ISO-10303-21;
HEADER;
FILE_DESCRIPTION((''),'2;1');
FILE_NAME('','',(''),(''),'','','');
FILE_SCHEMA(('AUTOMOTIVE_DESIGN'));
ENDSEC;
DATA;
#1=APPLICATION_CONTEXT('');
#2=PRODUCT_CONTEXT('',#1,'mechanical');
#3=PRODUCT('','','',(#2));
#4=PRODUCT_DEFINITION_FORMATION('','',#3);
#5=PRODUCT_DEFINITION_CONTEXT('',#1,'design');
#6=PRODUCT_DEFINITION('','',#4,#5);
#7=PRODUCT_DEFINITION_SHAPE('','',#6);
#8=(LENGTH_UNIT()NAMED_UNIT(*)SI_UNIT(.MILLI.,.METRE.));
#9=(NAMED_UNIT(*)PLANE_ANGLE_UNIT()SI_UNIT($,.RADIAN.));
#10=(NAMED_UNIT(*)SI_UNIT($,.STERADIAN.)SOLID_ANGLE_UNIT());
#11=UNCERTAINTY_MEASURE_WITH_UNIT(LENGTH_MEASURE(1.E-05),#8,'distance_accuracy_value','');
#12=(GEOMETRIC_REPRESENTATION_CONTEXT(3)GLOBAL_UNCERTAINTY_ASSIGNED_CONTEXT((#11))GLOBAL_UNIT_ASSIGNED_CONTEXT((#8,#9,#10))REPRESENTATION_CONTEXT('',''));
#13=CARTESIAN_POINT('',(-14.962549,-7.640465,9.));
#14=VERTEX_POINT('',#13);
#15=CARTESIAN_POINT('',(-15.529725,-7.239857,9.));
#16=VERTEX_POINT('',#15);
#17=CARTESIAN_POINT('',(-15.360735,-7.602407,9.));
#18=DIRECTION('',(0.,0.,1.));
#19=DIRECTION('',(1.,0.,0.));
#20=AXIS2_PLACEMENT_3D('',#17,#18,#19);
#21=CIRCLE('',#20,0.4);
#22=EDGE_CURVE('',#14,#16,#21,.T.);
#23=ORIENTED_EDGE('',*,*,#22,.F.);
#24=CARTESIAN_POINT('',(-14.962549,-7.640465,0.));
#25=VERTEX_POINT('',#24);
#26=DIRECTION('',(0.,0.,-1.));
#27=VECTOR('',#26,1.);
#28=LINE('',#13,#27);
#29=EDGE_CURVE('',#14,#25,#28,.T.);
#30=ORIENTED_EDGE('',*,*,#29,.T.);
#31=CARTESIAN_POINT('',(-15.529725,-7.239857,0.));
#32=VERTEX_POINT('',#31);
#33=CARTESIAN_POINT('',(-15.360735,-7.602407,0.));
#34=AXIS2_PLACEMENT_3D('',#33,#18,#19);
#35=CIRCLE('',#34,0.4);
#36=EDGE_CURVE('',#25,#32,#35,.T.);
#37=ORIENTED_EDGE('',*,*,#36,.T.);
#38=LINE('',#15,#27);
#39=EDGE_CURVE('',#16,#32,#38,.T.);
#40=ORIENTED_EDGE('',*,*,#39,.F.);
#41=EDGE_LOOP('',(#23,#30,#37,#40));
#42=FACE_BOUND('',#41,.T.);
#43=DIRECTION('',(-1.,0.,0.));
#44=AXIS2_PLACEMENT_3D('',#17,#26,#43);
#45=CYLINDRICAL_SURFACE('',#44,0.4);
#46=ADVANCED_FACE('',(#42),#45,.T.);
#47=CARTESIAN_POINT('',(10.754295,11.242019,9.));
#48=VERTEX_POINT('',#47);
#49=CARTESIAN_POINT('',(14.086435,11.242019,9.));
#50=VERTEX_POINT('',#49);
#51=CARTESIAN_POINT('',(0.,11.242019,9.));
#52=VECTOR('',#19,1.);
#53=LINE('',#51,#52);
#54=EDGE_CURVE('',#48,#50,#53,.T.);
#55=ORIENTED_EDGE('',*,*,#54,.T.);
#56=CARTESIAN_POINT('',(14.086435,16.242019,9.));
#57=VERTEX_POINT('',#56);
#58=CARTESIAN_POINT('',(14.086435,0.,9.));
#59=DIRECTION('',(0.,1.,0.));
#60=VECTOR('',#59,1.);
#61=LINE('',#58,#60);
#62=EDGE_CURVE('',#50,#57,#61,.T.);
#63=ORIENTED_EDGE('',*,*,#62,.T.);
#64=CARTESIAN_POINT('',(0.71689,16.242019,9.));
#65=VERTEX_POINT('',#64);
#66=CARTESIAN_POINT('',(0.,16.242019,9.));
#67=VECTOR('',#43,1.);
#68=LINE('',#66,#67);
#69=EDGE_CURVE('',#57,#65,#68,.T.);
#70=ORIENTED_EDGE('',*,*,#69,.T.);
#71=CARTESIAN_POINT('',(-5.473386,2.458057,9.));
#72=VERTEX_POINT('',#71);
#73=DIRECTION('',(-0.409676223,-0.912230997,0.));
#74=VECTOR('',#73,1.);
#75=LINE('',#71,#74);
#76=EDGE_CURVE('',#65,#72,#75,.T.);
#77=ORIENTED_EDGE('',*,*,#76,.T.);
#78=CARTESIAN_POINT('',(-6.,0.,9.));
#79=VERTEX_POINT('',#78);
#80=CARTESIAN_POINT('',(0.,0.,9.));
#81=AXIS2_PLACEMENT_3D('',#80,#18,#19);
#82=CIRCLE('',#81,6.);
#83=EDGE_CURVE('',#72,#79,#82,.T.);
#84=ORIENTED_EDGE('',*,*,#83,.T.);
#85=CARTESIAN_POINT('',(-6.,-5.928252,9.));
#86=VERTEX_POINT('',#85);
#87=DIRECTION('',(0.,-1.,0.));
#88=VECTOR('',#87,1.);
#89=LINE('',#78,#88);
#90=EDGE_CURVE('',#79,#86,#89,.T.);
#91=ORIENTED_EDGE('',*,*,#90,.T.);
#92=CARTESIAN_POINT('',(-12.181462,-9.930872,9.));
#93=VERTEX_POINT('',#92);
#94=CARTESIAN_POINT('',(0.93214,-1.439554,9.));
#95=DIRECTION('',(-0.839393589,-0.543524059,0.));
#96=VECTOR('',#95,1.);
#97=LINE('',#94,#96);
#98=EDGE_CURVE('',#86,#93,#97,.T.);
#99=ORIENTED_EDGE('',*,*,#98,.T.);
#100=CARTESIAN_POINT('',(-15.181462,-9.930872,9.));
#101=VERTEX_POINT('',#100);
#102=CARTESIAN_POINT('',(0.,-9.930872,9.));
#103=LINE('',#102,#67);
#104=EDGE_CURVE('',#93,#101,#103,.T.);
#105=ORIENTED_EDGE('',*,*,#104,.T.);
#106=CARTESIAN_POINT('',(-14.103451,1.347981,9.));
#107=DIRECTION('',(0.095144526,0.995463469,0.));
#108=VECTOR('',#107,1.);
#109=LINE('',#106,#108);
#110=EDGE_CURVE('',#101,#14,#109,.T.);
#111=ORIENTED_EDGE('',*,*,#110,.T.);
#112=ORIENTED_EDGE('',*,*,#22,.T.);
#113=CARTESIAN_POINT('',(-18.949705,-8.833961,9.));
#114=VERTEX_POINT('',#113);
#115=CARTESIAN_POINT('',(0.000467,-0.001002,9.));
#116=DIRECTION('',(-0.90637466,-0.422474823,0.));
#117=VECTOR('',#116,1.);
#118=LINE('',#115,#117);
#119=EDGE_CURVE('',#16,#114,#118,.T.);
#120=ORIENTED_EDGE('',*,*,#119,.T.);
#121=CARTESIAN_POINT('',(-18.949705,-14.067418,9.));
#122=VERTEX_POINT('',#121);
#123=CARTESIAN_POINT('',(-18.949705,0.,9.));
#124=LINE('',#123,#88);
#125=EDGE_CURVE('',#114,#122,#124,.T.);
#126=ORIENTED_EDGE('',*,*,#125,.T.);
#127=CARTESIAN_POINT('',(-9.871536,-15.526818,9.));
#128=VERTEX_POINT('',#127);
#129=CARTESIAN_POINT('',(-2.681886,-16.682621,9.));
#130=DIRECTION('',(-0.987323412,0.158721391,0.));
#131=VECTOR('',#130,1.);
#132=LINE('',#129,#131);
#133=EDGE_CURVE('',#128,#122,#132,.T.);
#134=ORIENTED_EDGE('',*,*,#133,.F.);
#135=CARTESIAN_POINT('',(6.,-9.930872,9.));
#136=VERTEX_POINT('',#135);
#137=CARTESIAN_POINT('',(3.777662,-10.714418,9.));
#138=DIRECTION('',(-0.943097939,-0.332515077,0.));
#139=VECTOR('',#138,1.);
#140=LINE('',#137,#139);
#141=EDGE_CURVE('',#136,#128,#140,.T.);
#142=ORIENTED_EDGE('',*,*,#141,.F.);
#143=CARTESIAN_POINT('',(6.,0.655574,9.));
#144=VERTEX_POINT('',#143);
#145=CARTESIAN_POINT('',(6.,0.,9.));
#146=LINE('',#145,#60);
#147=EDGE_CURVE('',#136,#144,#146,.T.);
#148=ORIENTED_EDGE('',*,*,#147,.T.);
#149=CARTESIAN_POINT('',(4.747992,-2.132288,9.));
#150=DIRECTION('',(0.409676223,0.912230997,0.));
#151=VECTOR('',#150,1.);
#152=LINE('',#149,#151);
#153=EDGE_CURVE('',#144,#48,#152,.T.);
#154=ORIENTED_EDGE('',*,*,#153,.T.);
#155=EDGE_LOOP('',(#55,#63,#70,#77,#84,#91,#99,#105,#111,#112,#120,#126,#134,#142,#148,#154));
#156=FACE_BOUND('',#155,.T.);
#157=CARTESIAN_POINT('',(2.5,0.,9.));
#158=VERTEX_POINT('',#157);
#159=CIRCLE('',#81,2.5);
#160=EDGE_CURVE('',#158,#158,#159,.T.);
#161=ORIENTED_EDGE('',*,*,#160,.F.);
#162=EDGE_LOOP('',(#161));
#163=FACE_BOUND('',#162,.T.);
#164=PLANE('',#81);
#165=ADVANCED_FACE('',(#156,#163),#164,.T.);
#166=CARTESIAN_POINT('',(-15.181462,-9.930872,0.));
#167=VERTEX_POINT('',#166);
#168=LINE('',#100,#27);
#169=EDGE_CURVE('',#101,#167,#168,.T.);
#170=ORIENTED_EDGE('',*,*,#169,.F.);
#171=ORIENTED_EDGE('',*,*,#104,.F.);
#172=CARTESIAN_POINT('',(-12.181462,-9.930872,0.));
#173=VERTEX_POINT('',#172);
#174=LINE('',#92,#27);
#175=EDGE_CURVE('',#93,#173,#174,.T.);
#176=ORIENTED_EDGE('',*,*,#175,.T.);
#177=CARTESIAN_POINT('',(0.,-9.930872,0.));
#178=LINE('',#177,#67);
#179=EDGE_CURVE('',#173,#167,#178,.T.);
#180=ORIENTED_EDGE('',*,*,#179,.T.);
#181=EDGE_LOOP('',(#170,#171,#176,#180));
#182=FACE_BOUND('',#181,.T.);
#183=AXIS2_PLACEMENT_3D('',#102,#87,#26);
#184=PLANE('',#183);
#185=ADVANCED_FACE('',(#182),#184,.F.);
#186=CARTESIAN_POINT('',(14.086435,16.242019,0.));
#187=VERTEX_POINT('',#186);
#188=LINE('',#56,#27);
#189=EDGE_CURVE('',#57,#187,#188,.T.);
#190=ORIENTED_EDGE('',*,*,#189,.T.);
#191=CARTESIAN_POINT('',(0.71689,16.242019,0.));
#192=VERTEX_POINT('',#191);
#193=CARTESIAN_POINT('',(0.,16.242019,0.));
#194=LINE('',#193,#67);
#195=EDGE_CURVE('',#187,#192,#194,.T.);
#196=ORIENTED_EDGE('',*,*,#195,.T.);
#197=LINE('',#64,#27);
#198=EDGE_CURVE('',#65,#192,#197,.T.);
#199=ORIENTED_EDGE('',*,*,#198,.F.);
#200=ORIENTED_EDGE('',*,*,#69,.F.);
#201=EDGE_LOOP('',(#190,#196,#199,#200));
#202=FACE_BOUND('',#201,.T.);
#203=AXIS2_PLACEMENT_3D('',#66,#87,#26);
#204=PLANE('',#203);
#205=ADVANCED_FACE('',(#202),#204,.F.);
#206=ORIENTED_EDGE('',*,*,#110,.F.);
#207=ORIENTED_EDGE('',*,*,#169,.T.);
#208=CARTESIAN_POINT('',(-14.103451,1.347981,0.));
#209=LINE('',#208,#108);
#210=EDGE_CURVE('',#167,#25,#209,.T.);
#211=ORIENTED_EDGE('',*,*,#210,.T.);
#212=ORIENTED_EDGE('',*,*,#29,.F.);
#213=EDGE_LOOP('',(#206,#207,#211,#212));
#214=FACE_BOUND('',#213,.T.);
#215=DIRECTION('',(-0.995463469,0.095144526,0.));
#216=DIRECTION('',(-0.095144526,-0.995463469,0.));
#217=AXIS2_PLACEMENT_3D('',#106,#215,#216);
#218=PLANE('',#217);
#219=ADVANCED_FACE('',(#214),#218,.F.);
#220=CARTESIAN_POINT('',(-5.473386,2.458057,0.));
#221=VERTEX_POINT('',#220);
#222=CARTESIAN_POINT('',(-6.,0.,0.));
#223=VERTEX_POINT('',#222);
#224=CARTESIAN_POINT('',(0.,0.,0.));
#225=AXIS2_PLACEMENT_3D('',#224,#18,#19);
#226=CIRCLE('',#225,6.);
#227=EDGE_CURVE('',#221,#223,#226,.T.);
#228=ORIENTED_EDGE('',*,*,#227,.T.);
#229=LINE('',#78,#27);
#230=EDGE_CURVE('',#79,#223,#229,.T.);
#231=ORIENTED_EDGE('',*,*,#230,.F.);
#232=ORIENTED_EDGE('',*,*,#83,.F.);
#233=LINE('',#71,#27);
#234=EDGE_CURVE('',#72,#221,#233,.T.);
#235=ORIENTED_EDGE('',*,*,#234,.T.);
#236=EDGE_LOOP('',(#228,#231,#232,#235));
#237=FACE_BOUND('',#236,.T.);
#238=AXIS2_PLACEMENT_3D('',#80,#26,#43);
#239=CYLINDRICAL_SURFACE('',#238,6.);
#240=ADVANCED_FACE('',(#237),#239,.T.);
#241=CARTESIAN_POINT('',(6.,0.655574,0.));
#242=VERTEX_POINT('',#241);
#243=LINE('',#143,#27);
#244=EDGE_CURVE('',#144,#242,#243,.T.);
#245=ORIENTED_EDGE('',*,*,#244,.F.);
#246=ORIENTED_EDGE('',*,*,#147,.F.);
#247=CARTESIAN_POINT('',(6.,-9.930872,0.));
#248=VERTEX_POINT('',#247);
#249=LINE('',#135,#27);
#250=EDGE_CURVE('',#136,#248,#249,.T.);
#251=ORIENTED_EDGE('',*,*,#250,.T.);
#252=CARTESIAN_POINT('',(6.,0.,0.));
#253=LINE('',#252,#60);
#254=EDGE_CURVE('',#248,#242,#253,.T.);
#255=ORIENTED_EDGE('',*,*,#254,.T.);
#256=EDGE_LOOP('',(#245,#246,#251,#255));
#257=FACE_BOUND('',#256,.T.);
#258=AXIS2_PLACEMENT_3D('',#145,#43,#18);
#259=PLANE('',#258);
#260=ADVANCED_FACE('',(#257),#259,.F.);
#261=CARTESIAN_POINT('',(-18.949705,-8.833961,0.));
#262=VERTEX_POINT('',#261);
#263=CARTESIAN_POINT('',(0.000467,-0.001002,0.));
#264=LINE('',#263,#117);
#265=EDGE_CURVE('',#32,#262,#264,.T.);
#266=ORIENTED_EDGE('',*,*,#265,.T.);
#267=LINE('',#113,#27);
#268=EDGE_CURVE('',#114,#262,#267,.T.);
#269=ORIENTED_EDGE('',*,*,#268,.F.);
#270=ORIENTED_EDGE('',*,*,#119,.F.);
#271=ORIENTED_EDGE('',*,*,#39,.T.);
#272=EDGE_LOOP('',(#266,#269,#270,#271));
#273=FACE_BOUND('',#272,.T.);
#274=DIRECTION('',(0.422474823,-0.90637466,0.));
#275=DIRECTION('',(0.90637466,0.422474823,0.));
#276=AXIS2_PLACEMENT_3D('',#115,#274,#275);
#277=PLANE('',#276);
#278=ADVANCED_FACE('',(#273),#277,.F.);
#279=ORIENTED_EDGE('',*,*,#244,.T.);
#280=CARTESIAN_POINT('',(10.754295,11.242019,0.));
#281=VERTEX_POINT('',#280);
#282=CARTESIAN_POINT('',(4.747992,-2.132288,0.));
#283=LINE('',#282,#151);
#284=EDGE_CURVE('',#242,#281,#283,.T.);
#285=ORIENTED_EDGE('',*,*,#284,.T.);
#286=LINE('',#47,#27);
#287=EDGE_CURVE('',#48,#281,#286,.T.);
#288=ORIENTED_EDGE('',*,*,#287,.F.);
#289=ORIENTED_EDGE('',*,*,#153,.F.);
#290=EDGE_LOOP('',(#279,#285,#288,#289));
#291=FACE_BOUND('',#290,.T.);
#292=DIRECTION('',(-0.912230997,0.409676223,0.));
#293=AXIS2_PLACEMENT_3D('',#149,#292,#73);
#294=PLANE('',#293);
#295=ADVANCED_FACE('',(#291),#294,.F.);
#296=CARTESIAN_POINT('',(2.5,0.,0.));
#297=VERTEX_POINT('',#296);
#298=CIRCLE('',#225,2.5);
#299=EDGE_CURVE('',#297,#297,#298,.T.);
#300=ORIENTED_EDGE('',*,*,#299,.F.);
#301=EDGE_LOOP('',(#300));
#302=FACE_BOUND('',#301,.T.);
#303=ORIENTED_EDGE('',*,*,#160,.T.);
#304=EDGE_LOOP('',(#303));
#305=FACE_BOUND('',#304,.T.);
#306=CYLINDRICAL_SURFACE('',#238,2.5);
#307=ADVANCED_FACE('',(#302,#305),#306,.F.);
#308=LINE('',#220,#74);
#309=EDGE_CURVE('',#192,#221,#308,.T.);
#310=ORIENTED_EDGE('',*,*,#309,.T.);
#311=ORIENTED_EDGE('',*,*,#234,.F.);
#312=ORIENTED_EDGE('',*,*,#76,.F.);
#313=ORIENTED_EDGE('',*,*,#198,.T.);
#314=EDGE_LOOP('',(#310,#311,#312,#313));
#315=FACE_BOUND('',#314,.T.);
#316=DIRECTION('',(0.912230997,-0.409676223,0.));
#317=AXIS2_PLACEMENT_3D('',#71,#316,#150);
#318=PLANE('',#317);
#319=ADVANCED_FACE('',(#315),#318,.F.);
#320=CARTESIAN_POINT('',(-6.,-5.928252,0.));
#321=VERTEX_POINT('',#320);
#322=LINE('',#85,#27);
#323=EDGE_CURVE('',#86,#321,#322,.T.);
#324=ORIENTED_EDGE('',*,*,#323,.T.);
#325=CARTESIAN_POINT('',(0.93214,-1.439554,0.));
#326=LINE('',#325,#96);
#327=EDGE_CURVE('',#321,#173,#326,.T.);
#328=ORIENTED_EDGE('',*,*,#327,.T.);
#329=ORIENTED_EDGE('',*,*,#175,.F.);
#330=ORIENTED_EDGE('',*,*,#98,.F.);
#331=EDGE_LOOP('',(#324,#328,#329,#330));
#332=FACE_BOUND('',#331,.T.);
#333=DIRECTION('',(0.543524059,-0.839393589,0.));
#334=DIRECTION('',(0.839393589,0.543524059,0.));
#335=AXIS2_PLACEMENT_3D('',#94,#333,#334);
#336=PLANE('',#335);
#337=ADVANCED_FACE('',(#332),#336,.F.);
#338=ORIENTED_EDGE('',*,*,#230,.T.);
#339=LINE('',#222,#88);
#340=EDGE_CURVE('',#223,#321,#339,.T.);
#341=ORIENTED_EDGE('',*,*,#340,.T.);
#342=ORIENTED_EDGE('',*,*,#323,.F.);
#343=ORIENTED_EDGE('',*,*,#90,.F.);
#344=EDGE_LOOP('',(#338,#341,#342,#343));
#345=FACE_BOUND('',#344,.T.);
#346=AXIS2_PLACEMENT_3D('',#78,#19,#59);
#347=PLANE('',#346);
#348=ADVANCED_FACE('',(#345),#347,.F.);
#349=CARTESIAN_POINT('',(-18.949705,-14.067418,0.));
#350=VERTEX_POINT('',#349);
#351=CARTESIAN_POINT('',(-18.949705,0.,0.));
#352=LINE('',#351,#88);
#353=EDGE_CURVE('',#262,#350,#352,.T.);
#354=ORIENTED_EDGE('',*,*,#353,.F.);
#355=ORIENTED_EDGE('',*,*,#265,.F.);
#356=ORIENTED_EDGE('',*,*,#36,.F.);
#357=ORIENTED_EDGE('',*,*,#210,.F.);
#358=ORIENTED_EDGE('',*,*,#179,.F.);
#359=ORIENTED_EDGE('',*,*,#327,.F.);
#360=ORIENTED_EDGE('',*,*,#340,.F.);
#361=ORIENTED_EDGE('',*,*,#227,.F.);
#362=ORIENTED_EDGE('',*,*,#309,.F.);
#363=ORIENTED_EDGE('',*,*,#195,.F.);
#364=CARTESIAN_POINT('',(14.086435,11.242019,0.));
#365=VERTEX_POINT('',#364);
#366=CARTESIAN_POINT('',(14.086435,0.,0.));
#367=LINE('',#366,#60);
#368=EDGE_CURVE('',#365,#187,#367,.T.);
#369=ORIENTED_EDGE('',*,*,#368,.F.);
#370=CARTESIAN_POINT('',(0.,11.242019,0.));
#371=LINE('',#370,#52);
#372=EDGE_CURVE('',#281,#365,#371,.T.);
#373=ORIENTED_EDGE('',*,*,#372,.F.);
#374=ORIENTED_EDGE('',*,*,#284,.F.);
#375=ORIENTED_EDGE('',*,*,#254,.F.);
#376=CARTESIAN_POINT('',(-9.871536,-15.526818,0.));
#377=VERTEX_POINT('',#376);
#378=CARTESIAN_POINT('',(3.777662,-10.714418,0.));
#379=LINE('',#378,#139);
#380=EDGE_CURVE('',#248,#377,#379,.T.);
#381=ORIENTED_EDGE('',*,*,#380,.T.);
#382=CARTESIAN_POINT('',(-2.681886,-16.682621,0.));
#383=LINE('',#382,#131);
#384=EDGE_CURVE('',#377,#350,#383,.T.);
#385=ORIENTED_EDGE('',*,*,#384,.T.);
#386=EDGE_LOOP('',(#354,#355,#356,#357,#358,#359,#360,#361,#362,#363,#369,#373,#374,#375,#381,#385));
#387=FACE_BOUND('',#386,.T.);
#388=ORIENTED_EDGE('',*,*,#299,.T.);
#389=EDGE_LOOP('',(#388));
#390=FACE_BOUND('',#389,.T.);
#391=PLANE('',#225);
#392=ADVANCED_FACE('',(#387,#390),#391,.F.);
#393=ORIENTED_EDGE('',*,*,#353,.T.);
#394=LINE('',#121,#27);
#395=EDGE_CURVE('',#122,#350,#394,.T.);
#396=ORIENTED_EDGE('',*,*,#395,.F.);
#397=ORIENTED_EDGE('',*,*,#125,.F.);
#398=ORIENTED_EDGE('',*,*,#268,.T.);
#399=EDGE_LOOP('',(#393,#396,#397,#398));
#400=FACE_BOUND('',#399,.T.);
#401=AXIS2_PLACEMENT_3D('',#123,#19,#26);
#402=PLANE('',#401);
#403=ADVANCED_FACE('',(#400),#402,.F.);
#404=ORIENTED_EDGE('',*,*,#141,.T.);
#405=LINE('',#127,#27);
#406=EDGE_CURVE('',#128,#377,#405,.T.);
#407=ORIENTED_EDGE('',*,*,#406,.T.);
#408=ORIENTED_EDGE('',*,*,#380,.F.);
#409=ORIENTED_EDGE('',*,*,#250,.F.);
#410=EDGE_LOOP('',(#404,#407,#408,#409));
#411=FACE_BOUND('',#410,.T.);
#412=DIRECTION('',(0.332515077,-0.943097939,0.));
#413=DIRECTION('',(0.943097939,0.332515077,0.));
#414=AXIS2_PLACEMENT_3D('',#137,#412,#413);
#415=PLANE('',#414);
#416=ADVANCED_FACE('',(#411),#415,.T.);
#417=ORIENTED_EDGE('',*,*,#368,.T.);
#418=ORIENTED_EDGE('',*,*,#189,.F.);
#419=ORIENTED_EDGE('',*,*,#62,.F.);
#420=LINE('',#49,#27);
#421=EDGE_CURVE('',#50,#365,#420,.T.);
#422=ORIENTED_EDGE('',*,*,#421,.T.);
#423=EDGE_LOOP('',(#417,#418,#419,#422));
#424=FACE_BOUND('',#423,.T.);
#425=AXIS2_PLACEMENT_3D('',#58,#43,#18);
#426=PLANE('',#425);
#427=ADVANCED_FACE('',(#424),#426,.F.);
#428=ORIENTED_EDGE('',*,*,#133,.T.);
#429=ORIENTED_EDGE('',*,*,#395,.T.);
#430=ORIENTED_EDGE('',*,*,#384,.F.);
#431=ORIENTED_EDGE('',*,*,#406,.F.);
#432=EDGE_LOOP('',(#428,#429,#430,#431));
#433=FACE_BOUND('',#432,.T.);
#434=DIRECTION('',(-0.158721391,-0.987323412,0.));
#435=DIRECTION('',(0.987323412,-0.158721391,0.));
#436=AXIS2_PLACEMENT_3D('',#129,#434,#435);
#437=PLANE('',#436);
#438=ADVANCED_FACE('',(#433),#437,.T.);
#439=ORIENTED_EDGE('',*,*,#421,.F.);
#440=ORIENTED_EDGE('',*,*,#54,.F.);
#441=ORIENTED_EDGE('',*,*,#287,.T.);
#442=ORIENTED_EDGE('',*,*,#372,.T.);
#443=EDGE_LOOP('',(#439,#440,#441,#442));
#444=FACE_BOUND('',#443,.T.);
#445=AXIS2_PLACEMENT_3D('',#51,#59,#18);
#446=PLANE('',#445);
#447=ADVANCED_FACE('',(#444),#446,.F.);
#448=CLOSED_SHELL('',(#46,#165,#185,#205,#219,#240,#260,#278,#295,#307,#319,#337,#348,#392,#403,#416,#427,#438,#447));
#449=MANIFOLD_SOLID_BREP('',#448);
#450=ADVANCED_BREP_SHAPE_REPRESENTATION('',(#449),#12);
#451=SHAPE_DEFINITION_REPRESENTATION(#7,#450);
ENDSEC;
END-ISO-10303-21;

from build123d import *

# Parameters (mm, degrees)
SKETCH_1_R      = 2.5
EXTRUDE_1_DEPTH = 9


with BuildPart() as part:
    # 스케치1 → 보스-돌출1 (new body)
    with BuildSketch(Plane.XY):
        with BuildLine():
            Line((-6, 0), (-6, -5.928252217))
            Line((-6, -5.928252217), (-12.181462163, -9.930872029))
            Line((-12.181462163, -9.930872029), (-15.181462163, -9.930872029))
            Line((-15.181462163, -9.930872029), (-14.962549322, -7.64046453))
            ThreePointArc((-14.962549322, -7.64046453), (-15.12996585, -7.275687064), (-15.529724639, -7.239856856))
            Line((-15.529724639, -7.239856856), (-18.949704861, -8.833960932))
            Line((-18.949704861, -8.833960932), (-18.949704861, -12.404351558))
            Line((-18.949704861, -12.404351558), (-18.949704861, -14.067418225))
            Line((-18.949704861, -14.067418225), (-9.871536241, -15.526817987))
            Line((-9.871536241, -15.526817987), (6, -9.930872029))
            Line((6, -9.930872029), (6, 0.655573526))
            Line((6, 0.655573526), (10.754294738, 11.24201908))
            Line((10.754294738, 11.24201908), (14.08643491, 11.24201908))
            Line((14.08643491, 11.24201908), (14.08643491, 16.24201908))
            Line((14.08643491, 16.24201908), (0.716889728, 16.24201908))
            Line((0.716889728, 16.24201908), (-5.473385983, 2.458057338))
            ThreePointArc((-5.473385983, 2.458057338), (-5.866869519, 1.256917678), (-6, 0))
        make_face()
        Circle(SKETCH_1_R, mode=Mode.SUBTRACT)
    extrude(amount=EXTRUDE_1_DEPTH)


solid = part.part
